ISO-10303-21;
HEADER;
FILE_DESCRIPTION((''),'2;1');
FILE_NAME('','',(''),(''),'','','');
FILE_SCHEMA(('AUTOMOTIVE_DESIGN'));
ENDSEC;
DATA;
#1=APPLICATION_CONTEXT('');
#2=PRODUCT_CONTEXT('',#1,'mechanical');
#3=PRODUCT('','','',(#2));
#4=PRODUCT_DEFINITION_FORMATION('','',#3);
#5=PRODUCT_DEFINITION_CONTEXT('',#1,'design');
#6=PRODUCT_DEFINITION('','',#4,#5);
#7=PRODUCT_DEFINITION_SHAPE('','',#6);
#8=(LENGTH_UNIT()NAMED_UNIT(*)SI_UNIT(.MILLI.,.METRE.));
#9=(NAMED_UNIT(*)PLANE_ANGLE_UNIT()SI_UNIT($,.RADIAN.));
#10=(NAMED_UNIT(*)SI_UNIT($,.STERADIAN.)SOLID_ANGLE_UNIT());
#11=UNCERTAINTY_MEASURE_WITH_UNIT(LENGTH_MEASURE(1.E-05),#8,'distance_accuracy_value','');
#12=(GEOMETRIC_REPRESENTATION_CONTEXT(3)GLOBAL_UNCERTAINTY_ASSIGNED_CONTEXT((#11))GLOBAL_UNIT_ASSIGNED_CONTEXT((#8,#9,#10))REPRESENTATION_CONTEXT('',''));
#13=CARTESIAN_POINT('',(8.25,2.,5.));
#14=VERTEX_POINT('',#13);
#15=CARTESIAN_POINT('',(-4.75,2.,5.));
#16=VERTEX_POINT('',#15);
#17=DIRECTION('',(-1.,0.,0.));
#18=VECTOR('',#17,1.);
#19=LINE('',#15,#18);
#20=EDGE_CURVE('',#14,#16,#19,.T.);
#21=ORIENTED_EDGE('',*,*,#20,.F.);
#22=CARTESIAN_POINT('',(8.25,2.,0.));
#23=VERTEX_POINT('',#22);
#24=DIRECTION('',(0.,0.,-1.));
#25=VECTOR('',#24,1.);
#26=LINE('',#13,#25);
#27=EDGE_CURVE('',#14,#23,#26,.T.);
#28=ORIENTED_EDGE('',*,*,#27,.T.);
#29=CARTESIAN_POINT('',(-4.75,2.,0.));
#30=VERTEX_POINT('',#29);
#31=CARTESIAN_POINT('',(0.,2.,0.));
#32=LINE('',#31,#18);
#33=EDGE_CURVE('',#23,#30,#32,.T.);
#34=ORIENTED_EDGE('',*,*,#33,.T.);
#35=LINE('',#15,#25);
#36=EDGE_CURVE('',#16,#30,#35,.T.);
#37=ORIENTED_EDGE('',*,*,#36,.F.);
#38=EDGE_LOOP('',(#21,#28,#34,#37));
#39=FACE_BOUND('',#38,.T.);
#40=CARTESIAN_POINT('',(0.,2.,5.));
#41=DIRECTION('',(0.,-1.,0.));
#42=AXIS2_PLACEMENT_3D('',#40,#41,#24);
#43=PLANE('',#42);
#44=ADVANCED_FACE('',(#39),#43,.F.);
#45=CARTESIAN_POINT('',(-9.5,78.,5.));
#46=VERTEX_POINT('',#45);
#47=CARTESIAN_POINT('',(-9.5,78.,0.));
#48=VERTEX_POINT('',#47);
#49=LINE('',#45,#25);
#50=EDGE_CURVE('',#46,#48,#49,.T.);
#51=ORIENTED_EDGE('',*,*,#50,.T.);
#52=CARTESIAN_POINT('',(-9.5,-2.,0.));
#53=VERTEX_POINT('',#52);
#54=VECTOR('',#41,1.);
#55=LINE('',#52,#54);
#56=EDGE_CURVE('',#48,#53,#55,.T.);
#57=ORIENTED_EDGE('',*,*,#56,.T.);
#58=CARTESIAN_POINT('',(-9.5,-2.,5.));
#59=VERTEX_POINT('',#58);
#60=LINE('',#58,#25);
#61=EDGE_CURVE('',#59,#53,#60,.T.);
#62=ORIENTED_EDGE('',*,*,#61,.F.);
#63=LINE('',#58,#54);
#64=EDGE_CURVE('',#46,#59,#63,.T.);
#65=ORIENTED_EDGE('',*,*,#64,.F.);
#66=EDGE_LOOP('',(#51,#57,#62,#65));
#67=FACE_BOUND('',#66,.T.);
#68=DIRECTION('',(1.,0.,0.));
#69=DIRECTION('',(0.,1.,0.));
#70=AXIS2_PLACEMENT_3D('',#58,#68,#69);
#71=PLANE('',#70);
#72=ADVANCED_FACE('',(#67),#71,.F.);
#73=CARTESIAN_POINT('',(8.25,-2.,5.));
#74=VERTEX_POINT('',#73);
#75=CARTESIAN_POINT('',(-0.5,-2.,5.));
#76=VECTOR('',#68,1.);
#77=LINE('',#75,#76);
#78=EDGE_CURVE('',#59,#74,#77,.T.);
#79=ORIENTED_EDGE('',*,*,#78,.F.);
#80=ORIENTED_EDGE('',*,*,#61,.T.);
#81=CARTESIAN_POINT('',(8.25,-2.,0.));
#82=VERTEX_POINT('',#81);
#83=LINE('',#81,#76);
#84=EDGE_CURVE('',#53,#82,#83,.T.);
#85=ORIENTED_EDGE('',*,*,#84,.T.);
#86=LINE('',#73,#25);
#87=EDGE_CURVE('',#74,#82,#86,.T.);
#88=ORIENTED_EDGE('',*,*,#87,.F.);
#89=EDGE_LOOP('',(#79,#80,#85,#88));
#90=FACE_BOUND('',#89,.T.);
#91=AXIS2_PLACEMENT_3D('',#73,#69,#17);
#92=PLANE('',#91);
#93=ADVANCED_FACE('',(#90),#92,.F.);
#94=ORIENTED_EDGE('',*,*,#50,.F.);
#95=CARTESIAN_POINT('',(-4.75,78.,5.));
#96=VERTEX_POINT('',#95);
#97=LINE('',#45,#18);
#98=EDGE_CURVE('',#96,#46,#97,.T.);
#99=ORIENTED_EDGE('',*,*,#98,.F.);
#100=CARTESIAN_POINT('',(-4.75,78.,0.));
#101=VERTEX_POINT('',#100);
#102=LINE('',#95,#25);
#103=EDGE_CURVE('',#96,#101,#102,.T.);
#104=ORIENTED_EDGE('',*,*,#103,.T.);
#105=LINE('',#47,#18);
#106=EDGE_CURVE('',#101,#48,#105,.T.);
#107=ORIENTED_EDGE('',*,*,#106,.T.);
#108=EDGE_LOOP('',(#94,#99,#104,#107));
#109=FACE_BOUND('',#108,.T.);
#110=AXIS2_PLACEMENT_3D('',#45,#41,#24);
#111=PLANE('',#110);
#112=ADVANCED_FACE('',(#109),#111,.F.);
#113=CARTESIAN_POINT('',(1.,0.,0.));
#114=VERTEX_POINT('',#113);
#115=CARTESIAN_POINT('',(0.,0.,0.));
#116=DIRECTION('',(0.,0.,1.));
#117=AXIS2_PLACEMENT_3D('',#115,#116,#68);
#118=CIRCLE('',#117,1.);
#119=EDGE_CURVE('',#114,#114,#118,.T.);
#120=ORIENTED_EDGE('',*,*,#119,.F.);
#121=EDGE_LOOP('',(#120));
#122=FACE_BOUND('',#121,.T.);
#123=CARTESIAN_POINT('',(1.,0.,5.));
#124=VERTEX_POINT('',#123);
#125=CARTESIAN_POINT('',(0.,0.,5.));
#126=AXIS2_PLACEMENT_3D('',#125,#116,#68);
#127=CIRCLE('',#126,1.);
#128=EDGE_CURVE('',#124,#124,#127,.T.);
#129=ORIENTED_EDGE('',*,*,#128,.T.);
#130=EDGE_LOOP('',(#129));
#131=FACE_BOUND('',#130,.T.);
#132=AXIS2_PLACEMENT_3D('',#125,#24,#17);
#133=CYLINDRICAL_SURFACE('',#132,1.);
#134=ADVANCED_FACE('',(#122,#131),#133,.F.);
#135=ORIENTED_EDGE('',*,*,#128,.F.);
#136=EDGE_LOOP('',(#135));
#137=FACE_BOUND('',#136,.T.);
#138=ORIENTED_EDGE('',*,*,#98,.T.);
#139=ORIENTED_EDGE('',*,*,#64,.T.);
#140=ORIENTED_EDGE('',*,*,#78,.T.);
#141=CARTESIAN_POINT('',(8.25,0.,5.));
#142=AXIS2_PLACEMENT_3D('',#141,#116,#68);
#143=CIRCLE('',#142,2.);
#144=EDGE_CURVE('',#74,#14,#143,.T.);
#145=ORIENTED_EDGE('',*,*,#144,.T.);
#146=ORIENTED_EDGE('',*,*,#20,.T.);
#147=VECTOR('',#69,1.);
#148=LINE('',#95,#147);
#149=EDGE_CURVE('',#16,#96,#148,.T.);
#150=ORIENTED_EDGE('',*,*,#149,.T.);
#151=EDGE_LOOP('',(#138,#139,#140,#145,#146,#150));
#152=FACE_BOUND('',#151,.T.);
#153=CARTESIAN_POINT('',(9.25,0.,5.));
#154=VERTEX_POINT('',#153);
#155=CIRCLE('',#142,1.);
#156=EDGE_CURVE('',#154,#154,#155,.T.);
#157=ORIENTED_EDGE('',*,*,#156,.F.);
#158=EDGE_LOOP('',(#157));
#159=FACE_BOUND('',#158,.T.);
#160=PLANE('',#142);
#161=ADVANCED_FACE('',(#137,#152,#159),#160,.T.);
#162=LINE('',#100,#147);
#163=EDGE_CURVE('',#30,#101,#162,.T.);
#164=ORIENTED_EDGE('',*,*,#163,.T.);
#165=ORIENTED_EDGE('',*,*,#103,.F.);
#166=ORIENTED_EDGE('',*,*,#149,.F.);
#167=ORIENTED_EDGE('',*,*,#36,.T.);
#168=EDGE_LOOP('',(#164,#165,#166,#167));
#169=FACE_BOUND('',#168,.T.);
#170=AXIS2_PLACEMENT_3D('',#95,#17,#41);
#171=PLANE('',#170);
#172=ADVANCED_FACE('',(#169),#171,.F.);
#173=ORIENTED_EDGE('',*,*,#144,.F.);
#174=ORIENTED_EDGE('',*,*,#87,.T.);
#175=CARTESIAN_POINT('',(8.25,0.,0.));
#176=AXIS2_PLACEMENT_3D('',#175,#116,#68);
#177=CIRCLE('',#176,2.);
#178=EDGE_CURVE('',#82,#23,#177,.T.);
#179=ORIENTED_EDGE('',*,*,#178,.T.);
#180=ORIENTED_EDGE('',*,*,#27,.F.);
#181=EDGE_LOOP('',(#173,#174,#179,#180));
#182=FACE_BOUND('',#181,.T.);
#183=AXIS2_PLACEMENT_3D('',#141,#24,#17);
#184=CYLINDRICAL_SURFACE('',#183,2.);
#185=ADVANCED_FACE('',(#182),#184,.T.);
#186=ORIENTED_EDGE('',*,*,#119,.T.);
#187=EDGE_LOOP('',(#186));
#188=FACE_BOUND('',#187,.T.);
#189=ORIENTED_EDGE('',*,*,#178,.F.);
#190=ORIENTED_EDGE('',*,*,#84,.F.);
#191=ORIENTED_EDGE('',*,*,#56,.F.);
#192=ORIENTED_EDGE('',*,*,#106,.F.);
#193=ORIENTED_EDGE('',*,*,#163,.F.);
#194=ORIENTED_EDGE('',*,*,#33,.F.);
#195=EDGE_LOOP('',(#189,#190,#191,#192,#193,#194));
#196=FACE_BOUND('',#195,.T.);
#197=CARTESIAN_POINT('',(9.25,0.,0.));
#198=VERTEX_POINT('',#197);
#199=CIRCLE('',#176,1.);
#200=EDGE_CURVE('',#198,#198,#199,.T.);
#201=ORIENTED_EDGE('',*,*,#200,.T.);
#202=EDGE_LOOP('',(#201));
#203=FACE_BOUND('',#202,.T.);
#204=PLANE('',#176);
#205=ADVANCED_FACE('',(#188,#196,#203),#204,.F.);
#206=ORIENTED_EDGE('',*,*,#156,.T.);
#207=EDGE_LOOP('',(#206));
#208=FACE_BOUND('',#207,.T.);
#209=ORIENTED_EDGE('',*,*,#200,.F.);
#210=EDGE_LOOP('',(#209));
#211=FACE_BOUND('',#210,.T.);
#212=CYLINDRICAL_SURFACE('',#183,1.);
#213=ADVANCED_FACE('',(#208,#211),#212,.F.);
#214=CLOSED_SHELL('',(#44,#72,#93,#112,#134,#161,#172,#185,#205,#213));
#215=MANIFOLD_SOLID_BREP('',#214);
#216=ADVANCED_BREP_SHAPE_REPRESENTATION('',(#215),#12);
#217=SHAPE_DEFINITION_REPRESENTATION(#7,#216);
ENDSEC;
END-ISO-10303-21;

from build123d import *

# Parameters (mm, degrees)
SKETCH_1_R      = 1
EXTRUDE_1_DEPTH = 5


with BuildPart() as part:
    # 草图1 → 凸台-拉伸1 (new body)
    with BuildSketch(Plane.XY):
        with BuildLine():
            Line((0, 2), (8.25, 2))
            ThreePointArc((8.25, 2), (10.25, 0), (8.25, -2))
            Line((8.25, -2), (-0.5, -2))
            Line((-0.5, -2), (-9.5, -2))
            Line((-9.5, -2), (-9.5, 78))
            Line((-9.5, 78), (-4.75, 78))
            Line((-4.75, 78), (-4.75, 2))
            Line((-4.75, 2), (0, 2))
        make_face()
        Circle(SKETCH_1_R, mode=Mode.SUBTRACT)
        with Locations((8.25, 0)):
            Circle(SKETCH_1_R, mode=Mode.SUBTRACT)
    extrude(amount=EXTRUDE_1_DEPTH)


solid = part.part
